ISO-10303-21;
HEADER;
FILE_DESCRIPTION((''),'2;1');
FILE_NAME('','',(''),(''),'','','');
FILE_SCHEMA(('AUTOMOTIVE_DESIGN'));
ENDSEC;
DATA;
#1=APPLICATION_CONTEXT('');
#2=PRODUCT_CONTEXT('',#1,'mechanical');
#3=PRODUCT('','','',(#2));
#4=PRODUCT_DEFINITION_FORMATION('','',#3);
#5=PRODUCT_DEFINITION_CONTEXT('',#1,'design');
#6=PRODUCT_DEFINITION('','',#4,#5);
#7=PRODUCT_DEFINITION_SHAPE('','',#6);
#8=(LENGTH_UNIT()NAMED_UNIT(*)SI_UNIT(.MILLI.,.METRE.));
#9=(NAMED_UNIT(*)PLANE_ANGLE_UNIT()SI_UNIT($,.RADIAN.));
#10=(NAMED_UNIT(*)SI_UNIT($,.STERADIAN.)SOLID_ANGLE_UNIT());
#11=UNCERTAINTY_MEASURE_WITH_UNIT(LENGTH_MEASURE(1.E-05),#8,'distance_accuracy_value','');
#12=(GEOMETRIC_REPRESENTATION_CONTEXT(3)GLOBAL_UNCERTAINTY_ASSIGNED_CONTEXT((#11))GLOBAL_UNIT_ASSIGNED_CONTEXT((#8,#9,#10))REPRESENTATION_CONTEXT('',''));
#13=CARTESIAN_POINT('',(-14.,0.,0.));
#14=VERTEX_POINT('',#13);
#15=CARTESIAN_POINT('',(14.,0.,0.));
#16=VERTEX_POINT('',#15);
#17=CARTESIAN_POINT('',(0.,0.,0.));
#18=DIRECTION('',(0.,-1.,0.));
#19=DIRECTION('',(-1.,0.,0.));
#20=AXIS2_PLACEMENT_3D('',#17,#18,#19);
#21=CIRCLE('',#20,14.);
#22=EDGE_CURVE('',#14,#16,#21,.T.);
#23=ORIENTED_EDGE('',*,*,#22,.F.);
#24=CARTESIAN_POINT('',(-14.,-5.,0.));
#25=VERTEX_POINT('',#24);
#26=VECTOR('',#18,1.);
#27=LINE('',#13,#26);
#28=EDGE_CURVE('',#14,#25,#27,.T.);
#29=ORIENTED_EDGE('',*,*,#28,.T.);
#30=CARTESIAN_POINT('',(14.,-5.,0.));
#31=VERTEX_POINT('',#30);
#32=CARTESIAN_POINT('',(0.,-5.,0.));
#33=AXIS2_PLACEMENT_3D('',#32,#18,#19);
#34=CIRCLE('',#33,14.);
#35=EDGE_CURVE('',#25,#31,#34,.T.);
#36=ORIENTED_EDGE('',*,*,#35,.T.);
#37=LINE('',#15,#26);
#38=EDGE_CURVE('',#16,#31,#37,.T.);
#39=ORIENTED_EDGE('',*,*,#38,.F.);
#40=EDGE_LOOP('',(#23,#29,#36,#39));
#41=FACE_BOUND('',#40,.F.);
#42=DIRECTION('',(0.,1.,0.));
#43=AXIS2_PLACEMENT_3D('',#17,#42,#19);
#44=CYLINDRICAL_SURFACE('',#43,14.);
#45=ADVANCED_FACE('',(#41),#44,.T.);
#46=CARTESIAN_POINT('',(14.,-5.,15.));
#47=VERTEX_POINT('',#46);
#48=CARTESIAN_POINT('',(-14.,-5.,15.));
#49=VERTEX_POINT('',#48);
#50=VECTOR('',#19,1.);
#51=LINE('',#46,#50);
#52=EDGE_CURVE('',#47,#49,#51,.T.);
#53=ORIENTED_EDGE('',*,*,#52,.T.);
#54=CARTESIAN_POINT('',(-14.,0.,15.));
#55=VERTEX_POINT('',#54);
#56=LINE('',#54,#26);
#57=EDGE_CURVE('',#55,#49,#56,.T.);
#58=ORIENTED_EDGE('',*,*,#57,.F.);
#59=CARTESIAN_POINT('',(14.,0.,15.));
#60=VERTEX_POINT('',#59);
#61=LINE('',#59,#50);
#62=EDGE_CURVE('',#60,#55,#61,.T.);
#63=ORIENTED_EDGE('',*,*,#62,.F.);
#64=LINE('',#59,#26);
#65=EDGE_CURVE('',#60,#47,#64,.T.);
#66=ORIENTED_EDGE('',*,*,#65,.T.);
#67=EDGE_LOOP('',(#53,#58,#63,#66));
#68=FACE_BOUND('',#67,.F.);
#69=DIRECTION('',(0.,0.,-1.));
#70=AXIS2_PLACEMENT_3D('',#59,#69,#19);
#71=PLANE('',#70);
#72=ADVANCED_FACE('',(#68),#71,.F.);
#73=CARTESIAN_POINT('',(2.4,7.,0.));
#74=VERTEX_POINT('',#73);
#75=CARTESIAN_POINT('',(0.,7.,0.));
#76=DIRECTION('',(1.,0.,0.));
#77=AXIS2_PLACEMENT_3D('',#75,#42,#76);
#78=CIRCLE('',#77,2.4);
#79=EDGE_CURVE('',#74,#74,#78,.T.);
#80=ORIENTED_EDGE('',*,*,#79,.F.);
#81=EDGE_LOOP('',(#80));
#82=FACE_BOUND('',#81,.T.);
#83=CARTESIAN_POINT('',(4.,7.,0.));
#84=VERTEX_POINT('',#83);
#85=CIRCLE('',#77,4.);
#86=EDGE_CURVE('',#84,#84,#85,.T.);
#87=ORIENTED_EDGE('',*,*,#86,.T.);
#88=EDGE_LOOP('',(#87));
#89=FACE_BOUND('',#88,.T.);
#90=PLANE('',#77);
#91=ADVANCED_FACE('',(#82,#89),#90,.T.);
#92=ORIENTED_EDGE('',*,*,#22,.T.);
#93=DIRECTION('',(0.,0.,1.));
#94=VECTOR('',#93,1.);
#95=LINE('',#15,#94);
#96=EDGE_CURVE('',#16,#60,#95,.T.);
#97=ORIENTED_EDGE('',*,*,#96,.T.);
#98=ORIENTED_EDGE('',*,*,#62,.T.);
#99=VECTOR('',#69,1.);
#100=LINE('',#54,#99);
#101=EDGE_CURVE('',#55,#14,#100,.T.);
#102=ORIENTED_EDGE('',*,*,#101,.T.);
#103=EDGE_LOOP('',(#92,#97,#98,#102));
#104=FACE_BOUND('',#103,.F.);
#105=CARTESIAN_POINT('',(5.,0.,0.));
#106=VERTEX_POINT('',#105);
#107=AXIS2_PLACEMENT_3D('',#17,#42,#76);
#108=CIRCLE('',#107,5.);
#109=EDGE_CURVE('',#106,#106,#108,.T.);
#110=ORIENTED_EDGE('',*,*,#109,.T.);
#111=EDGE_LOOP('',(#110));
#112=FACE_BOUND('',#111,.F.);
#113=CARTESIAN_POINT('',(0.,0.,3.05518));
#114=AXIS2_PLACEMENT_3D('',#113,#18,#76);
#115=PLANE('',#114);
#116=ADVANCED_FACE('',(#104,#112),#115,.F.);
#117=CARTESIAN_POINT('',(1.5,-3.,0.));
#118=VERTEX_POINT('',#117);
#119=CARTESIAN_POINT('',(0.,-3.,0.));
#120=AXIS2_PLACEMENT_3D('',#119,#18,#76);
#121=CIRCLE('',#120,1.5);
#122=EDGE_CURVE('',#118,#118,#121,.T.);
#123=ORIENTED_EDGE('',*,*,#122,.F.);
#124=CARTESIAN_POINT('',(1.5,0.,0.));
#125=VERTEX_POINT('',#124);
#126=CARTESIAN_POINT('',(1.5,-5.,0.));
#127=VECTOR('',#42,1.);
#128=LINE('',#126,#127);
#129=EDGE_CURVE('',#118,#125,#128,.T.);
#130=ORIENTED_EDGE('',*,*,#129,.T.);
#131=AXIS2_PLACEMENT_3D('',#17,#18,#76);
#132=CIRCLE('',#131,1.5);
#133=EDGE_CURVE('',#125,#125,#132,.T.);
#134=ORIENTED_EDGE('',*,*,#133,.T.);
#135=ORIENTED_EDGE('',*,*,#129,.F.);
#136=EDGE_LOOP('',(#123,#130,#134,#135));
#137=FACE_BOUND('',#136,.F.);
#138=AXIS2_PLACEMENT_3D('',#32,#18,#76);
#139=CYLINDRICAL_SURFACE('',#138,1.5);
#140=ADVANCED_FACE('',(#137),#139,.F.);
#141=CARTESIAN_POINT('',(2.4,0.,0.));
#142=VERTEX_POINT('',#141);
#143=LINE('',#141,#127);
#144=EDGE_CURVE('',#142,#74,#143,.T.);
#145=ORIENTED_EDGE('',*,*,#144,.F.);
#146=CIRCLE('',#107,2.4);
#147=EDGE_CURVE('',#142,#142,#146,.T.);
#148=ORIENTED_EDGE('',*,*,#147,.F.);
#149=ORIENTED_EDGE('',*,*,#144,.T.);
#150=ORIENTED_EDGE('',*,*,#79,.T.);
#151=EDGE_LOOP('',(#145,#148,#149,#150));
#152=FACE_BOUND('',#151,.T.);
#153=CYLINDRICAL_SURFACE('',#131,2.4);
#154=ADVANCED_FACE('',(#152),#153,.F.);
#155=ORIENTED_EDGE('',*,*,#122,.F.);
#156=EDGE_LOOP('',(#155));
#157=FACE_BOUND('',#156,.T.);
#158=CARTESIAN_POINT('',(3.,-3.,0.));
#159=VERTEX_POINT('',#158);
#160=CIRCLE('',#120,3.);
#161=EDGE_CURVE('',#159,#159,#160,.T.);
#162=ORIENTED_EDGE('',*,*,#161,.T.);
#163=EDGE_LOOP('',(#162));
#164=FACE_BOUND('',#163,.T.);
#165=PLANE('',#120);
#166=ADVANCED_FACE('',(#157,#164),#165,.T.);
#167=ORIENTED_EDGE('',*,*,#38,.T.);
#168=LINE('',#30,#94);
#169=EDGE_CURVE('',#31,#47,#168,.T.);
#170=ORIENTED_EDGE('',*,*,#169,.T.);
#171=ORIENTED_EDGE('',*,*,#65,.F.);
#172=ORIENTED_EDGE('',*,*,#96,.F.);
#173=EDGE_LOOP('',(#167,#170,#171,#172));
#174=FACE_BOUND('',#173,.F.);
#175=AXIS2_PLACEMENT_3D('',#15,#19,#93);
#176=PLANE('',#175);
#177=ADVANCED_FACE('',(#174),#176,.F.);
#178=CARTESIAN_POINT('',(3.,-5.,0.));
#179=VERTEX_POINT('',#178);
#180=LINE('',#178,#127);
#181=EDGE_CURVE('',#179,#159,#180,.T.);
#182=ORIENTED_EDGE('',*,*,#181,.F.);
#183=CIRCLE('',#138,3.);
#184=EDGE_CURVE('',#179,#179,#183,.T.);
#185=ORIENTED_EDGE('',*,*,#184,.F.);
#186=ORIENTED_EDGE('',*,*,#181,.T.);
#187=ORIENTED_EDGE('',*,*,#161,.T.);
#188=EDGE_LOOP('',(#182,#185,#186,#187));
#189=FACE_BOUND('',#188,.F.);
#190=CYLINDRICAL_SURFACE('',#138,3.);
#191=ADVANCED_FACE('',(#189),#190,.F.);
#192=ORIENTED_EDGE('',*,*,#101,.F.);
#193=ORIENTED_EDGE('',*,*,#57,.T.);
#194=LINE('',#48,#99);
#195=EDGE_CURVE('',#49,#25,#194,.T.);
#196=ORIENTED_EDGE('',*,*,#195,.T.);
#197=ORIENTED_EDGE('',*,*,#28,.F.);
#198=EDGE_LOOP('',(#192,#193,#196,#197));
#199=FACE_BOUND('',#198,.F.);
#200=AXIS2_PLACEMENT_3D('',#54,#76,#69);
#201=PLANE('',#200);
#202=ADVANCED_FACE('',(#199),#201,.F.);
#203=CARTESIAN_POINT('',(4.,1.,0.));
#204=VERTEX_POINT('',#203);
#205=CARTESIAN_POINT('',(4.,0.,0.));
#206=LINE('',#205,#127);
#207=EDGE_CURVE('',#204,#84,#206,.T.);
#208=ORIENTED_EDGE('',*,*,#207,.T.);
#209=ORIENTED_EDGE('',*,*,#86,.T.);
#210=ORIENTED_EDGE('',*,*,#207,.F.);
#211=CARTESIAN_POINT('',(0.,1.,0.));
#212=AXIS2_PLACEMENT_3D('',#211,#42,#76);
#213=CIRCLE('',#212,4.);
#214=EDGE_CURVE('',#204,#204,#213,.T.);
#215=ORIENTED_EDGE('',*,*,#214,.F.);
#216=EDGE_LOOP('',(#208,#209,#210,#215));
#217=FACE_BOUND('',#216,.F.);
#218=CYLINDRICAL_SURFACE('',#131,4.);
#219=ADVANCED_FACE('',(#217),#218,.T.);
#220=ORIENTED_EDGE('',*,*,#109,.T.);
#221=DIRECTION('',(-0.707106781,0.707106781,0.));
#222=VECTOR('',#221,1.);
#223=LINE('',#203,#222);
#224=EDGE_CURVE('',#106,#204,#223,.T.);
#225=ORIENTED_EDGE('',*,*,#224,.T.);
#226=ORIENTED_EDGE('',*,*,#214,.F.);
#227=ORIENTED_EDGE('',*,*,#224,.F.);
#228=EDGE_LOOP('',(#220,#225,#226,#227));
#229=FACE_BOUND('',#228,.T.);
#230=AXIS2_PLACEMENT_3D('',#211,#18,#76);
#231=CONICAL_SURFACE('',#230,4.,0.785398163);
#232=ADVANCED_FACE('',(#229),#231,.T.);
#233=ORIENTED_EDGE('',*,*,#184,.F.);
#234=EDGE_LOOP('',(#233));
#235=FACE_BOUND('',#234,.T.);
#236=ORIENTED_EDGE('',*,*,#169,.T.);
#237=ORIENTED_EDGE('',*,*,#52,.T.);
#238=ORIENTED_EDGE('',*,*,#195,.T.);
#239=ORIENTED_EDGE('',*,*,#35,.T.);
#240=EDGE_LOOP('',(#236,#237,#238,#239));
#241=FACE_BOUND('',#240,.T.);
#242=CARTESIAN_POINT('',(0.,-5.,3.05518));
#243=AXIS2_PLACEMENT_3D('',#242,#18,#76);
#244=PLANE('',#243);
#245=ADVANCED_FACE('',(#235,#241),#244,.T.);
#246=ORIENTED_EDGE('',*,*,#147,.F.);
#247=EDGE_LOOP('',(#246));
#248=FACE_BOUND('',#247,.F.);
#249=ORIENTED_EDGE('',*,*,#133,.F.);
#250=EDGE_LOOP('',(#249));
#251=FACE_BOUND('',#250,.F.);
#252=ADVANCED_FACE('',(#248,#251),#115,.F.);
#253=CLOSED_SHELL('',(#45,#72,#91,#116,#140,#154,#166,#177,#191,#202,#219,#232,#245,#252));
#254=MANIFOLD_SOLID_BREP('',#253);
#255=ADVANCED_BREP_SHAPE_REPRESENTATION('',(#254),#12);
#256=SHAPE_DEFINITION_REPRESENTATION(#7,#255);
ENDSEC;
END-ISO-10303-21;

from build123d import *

# Parameters (mm, degrees)
PAD_DEPTH       = 5
SKETCH001_R     = 4
SKETCH001_R_2   = 2.4
PAD001_DEPTH    = 7
SKETCH002_R     = 1.5
POCKET_DEPTH    = 12.001
SKETCH003_R     = 3
POCKET001_DEPTH = 2
CHAMFER_SIZE    = 1


with BuildPart() as part:
    # Sketch → Pad (new body)
    with BuildSketch(Plane.XZ):
        with BuildLine():
            Line((-14, 15), (-14, 0))
            ThreePointArc((-14, 0), (0, -14), (14, 0))
            Line((14, 0), (14, 15))
            Line((14, 15), (-14, 15))
        make_face()
    extrude(amount=PAD_DEPTH)

    # Sketch001 (on Face5 of Pad) → Pad001 (join)
    with BuildSketch(Plane(origin=(0, 0, 0), x_dir=(1, 0, 0), z_dir=(0, 1, 0))):
        Circle(SKETCH001_R)
        Circle(SKETCH001_R_2, mode=Mode.SUBTRACT)
    extrude(amount=PAD001_DEPTH)

    # Sketch002 (on Face5 of Pad001) → Pocket (cut, through all)
    with BuildSketch(Plane.XZ.offset(5)):
        Circle(SKETCH002_R)
    extrude(amount=-POCKET_DEPTH, mode=Mode.SUBTRACT)

    # Sketch003 (on Face5 of Pocket) → Pocket001 (cut)
    with BuildSketch(Plane.XZ.offset(5)):
        Circle(SKETCH003_R)
    extrude(amount=-POCKET001_DEPTH, mode=Mode.SUBTRACT)

    # Chamfer
    chamfer_edges = [part.edges().sort_by_distance(p)[0] for p in [
        (-4, 0, 0),
    ]]
    chamfer(chamfer_edges, length=CHAMFER_SIZE)


solid = part.part
